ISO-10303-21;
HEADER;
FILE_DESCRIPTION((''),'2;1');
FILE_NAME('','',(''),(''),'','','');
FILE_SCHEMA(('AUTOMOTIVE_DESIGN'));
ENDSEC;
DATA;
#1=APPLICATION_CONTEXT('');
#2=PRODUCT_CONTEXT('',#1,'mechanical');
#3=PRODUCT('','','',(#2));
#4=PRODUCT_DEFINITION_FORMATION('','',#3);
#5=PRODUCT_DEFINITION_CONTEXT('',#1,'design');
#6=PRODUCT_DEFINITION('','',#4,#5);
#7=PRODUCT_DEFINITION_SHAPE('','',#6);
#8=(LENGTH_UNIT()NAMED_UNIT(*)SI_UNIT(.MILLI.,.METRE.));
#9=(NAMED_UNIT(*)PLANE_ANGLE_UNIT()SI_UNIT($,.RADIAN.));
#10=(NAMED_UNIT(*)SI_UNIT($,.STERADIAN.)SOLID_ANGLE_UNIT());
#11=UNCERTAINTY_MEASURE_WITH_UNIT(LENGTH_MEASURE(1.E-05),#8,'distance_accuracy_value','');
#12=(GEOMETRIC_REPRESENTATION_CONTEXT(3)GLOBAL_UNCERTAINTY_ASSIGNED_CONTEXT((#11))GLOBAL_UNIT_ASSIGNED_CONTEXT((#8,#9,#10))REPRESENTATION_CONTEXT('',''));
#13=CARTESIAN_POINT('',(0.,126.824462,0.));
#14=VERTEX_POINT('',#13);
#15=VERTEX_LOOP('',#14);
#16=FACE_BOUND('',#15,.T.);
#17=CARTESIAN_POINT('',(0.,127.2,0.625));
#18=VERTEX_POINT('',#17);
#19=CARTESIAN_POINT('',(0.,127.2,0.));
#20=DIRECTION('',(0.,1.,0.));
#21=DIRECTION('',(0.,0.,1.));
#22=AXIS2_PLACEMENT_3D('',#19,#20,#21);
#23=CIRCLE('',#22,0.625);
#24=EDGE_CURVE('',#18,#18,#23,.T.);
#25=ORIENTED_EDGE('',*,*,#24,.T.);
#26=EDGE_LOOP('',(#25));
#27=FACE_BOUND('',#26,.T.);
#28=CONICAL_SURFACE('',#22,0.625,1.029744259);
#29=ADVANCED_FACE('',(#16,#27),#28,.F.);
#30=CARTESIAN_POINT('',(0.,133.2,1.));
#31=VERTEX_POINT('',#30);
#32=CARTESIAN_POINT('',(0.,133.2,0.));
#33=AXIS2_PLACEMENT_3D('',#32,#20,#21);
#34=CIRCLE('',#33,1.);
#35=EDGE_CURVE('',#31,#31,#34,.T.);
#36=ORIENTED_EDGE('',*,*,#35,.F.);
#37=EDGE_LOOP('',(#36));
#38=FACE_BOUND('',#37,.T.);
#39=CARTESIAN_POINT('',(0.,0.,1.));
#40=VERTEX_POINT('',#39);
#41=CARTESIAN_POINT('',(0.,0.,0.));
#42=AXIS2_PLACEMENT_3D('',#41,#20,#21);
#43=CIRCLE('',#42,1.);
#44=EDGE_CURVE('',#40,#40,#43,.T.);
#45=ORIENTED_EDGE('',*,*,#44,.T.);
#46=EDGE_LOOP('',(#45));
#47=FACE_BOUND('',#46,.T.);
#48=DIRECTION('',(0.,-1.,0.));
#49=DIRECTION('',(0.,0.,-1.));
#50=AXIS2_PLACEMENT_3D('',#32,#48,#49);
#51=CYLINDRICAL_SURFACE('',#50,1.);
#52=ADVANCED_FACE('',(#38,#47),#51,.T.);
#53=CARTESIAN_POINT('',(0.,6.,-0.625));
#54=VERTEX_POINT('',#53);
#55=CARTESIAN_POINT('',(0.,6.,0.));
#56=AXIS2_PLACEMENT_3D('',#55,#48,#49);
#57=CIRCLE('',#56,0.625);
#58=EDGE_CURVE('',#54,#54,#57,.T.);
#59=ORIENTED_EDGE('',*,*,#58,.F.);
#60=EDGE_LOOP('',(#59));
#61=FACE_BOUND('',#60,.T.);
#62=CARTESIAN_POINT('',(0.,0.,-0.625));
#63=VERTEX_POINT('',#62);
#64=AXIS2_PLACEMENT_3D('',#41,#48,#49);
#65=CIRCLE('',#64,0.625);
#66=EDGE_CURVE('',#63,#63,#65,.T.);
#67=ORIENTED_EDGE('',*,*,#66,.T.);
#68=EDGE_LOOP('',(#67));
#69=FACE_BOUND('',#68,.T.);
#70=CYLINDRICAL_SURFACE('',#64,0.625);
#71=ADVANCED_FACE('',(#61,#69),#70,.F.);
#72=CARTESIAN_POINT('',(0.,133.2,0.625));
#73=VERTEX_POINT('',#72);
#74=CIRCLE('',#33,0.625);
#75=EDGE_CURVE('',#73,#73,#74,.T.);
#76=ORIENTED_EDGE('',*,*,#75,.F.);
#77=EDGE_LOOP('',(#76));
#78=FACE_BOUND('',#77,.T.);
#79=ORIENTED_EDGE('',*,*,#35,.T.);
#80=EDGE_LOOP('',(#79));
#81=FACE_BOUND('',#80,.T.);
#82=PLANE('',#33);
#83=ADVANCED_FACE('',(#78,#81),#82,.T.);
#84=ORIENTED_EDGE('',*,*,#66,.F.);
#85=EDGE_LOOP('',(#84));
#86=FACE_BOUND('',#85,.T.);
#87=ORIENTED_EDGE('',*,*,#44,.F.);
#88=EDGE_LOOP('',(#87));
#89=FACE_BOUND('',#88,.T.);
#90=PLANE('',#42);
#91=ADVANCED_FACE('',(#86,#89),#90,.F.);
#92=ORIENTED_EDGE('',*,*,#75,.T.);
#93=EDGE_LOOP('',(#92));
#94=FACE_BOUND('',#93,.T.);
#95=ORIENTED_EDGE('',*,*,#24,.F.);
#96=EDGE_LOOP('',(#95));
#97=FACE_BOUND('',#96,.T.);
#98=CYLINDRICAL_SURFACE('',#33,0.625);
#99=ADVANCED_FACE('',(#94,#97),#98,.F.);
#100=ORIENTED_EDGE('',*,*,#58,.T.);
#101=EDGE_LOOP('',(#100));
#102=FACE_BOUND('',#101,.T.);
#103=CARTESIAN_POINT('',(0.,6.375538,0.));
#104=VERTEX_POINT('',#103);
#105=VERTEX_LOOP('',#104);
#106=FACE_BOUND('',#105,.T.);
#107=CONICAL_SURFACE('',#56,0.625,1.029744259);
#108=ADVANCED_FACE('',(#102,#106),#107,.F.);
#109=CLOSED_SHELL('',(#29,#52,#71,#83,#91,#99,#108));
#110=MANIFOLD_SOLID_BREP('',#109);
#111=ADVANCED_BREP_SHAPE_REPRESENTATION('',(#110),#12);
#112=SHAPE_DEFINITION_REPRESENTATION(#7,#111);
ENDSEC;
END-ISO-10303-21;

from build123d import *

# Parameters (mm, degrees)
SKETCH1_R           = 1
BOSS_EXTRUDE1_DEPTH = 133.2


with BuildPart() as part:
    # Sketch1 → Boss-Extrude1 (new body)
    with BuildSketch(Plane(origin=(0, 0, 0), x_dir=(1, 0, 0), z_dir=(0, 1, 0))):
        with Locations(Location((0, 0, 0), (0, 0, 270))):
            Circle(SKETCH1_R)
    extrude(amount=BOSS_EXTRUDE1_DEPTH)

    # Sketch4 → M1.6x0.35 Tapped Hole1 (revolve, cut)
    with BuildSketch(Plane(origin=(0, 133.2, 0), x_dir=(0, 0, 1), z_dir=(1, 0, 0))):
        Polygon((0, 0), (0, 6.375537887), (0.625, 6), (0.625, 0), align=None)
    m1_6x0_35_tapped_hole1 = revolve(axis=Axis((0, 139.55, 0), (0, -1, 0)), mode=Mode.SUBTRACT)

    # Mirror1: M1.6x0.35 Tapped Hole1 across plane
    add(m1_6x0_35_tapped_hole1.mirror(Plane(origin=(0, 66.6, 0), x_dir=(0, 0, 1), z_dir=(0, -1, 0))), mode=Mode.SUBTRACT)


solid = part.part
